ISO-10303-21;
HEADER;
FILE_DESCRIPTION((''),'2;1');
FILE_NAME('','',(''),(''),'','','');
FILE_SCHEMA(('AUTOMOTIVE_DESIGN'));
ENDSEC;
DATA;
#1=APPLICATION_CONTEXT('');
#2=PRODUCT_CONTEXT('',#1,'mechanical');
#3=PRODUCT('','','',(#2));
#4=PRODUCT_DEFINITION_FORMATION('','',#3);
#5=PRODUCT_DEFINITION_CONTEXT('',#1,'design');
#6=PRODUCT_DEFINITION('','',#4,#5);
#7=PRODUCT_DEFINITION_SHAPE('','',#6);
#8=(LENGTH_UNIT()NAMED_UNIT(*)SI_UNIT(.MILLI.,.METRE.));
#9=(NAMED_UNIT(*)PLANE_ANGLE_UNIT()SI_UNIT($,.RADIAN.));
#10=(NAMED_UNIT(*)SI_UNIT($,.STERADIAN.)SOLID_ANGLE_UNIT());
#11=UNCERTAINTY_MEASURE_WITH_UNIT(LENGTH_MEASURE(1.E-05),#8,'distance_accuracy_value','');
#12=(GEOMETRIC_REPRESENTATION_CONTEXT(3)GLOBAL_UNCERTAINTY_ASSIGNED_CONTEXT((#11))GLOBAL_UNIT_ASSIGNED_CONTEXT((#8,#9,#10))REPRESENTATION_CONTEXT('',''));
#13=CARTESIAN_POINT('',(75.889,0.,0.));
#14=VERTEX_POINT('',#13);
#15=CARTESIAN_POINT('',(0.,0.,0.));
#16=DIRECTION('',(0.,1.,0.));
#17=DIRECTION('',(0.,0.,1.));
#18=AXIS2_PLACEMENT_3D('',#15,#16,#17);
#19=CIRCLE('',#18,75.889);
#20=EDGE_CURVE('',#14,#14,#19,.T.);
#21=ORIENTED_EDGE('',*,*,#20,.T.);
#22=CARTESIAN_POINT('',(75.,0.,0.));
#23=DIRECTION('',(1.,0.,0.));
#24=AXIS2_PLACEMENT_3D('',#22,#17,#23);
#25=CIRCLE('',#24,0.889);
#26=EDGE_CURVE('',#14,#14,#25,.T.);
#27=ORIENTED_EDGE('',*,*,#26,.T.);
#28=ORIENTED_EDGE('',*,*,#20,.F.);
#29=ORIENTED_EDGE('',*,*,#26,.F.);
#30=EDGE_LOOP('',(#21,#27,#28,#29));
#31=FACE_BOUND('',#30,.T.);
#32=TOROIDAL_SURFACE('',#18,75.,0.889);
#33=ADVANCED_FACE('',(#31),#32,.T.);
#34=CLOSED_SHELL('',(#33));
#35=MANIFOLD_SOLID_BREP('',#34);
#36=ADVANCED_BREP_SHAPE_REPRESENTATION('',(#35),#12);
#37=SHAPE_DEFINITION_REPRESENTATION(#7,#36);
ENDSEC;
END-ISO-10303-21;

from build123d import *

# Parameters (mm, degrees)
SKETCH2_R = 0.889


with BuildPart() as part:
    # Sweep1: sweep along a path in Sketch3
    with BuildLine(Plane(origin=(0, 0, 0), x_dir=(1, 0, 0), z_dir=(0, 1, 0))) as sweep1_path:
        CenterArc((0, 0), 75, 0, 360)
    # Sketch2 → Sweep1 (sweep)
    with BuildSketch(Plane.XY):
        with Locations((75, 0)):
            Circle(SKETCH2_R)
    sweep(path=sweep1_path.line)


solid = part.part
